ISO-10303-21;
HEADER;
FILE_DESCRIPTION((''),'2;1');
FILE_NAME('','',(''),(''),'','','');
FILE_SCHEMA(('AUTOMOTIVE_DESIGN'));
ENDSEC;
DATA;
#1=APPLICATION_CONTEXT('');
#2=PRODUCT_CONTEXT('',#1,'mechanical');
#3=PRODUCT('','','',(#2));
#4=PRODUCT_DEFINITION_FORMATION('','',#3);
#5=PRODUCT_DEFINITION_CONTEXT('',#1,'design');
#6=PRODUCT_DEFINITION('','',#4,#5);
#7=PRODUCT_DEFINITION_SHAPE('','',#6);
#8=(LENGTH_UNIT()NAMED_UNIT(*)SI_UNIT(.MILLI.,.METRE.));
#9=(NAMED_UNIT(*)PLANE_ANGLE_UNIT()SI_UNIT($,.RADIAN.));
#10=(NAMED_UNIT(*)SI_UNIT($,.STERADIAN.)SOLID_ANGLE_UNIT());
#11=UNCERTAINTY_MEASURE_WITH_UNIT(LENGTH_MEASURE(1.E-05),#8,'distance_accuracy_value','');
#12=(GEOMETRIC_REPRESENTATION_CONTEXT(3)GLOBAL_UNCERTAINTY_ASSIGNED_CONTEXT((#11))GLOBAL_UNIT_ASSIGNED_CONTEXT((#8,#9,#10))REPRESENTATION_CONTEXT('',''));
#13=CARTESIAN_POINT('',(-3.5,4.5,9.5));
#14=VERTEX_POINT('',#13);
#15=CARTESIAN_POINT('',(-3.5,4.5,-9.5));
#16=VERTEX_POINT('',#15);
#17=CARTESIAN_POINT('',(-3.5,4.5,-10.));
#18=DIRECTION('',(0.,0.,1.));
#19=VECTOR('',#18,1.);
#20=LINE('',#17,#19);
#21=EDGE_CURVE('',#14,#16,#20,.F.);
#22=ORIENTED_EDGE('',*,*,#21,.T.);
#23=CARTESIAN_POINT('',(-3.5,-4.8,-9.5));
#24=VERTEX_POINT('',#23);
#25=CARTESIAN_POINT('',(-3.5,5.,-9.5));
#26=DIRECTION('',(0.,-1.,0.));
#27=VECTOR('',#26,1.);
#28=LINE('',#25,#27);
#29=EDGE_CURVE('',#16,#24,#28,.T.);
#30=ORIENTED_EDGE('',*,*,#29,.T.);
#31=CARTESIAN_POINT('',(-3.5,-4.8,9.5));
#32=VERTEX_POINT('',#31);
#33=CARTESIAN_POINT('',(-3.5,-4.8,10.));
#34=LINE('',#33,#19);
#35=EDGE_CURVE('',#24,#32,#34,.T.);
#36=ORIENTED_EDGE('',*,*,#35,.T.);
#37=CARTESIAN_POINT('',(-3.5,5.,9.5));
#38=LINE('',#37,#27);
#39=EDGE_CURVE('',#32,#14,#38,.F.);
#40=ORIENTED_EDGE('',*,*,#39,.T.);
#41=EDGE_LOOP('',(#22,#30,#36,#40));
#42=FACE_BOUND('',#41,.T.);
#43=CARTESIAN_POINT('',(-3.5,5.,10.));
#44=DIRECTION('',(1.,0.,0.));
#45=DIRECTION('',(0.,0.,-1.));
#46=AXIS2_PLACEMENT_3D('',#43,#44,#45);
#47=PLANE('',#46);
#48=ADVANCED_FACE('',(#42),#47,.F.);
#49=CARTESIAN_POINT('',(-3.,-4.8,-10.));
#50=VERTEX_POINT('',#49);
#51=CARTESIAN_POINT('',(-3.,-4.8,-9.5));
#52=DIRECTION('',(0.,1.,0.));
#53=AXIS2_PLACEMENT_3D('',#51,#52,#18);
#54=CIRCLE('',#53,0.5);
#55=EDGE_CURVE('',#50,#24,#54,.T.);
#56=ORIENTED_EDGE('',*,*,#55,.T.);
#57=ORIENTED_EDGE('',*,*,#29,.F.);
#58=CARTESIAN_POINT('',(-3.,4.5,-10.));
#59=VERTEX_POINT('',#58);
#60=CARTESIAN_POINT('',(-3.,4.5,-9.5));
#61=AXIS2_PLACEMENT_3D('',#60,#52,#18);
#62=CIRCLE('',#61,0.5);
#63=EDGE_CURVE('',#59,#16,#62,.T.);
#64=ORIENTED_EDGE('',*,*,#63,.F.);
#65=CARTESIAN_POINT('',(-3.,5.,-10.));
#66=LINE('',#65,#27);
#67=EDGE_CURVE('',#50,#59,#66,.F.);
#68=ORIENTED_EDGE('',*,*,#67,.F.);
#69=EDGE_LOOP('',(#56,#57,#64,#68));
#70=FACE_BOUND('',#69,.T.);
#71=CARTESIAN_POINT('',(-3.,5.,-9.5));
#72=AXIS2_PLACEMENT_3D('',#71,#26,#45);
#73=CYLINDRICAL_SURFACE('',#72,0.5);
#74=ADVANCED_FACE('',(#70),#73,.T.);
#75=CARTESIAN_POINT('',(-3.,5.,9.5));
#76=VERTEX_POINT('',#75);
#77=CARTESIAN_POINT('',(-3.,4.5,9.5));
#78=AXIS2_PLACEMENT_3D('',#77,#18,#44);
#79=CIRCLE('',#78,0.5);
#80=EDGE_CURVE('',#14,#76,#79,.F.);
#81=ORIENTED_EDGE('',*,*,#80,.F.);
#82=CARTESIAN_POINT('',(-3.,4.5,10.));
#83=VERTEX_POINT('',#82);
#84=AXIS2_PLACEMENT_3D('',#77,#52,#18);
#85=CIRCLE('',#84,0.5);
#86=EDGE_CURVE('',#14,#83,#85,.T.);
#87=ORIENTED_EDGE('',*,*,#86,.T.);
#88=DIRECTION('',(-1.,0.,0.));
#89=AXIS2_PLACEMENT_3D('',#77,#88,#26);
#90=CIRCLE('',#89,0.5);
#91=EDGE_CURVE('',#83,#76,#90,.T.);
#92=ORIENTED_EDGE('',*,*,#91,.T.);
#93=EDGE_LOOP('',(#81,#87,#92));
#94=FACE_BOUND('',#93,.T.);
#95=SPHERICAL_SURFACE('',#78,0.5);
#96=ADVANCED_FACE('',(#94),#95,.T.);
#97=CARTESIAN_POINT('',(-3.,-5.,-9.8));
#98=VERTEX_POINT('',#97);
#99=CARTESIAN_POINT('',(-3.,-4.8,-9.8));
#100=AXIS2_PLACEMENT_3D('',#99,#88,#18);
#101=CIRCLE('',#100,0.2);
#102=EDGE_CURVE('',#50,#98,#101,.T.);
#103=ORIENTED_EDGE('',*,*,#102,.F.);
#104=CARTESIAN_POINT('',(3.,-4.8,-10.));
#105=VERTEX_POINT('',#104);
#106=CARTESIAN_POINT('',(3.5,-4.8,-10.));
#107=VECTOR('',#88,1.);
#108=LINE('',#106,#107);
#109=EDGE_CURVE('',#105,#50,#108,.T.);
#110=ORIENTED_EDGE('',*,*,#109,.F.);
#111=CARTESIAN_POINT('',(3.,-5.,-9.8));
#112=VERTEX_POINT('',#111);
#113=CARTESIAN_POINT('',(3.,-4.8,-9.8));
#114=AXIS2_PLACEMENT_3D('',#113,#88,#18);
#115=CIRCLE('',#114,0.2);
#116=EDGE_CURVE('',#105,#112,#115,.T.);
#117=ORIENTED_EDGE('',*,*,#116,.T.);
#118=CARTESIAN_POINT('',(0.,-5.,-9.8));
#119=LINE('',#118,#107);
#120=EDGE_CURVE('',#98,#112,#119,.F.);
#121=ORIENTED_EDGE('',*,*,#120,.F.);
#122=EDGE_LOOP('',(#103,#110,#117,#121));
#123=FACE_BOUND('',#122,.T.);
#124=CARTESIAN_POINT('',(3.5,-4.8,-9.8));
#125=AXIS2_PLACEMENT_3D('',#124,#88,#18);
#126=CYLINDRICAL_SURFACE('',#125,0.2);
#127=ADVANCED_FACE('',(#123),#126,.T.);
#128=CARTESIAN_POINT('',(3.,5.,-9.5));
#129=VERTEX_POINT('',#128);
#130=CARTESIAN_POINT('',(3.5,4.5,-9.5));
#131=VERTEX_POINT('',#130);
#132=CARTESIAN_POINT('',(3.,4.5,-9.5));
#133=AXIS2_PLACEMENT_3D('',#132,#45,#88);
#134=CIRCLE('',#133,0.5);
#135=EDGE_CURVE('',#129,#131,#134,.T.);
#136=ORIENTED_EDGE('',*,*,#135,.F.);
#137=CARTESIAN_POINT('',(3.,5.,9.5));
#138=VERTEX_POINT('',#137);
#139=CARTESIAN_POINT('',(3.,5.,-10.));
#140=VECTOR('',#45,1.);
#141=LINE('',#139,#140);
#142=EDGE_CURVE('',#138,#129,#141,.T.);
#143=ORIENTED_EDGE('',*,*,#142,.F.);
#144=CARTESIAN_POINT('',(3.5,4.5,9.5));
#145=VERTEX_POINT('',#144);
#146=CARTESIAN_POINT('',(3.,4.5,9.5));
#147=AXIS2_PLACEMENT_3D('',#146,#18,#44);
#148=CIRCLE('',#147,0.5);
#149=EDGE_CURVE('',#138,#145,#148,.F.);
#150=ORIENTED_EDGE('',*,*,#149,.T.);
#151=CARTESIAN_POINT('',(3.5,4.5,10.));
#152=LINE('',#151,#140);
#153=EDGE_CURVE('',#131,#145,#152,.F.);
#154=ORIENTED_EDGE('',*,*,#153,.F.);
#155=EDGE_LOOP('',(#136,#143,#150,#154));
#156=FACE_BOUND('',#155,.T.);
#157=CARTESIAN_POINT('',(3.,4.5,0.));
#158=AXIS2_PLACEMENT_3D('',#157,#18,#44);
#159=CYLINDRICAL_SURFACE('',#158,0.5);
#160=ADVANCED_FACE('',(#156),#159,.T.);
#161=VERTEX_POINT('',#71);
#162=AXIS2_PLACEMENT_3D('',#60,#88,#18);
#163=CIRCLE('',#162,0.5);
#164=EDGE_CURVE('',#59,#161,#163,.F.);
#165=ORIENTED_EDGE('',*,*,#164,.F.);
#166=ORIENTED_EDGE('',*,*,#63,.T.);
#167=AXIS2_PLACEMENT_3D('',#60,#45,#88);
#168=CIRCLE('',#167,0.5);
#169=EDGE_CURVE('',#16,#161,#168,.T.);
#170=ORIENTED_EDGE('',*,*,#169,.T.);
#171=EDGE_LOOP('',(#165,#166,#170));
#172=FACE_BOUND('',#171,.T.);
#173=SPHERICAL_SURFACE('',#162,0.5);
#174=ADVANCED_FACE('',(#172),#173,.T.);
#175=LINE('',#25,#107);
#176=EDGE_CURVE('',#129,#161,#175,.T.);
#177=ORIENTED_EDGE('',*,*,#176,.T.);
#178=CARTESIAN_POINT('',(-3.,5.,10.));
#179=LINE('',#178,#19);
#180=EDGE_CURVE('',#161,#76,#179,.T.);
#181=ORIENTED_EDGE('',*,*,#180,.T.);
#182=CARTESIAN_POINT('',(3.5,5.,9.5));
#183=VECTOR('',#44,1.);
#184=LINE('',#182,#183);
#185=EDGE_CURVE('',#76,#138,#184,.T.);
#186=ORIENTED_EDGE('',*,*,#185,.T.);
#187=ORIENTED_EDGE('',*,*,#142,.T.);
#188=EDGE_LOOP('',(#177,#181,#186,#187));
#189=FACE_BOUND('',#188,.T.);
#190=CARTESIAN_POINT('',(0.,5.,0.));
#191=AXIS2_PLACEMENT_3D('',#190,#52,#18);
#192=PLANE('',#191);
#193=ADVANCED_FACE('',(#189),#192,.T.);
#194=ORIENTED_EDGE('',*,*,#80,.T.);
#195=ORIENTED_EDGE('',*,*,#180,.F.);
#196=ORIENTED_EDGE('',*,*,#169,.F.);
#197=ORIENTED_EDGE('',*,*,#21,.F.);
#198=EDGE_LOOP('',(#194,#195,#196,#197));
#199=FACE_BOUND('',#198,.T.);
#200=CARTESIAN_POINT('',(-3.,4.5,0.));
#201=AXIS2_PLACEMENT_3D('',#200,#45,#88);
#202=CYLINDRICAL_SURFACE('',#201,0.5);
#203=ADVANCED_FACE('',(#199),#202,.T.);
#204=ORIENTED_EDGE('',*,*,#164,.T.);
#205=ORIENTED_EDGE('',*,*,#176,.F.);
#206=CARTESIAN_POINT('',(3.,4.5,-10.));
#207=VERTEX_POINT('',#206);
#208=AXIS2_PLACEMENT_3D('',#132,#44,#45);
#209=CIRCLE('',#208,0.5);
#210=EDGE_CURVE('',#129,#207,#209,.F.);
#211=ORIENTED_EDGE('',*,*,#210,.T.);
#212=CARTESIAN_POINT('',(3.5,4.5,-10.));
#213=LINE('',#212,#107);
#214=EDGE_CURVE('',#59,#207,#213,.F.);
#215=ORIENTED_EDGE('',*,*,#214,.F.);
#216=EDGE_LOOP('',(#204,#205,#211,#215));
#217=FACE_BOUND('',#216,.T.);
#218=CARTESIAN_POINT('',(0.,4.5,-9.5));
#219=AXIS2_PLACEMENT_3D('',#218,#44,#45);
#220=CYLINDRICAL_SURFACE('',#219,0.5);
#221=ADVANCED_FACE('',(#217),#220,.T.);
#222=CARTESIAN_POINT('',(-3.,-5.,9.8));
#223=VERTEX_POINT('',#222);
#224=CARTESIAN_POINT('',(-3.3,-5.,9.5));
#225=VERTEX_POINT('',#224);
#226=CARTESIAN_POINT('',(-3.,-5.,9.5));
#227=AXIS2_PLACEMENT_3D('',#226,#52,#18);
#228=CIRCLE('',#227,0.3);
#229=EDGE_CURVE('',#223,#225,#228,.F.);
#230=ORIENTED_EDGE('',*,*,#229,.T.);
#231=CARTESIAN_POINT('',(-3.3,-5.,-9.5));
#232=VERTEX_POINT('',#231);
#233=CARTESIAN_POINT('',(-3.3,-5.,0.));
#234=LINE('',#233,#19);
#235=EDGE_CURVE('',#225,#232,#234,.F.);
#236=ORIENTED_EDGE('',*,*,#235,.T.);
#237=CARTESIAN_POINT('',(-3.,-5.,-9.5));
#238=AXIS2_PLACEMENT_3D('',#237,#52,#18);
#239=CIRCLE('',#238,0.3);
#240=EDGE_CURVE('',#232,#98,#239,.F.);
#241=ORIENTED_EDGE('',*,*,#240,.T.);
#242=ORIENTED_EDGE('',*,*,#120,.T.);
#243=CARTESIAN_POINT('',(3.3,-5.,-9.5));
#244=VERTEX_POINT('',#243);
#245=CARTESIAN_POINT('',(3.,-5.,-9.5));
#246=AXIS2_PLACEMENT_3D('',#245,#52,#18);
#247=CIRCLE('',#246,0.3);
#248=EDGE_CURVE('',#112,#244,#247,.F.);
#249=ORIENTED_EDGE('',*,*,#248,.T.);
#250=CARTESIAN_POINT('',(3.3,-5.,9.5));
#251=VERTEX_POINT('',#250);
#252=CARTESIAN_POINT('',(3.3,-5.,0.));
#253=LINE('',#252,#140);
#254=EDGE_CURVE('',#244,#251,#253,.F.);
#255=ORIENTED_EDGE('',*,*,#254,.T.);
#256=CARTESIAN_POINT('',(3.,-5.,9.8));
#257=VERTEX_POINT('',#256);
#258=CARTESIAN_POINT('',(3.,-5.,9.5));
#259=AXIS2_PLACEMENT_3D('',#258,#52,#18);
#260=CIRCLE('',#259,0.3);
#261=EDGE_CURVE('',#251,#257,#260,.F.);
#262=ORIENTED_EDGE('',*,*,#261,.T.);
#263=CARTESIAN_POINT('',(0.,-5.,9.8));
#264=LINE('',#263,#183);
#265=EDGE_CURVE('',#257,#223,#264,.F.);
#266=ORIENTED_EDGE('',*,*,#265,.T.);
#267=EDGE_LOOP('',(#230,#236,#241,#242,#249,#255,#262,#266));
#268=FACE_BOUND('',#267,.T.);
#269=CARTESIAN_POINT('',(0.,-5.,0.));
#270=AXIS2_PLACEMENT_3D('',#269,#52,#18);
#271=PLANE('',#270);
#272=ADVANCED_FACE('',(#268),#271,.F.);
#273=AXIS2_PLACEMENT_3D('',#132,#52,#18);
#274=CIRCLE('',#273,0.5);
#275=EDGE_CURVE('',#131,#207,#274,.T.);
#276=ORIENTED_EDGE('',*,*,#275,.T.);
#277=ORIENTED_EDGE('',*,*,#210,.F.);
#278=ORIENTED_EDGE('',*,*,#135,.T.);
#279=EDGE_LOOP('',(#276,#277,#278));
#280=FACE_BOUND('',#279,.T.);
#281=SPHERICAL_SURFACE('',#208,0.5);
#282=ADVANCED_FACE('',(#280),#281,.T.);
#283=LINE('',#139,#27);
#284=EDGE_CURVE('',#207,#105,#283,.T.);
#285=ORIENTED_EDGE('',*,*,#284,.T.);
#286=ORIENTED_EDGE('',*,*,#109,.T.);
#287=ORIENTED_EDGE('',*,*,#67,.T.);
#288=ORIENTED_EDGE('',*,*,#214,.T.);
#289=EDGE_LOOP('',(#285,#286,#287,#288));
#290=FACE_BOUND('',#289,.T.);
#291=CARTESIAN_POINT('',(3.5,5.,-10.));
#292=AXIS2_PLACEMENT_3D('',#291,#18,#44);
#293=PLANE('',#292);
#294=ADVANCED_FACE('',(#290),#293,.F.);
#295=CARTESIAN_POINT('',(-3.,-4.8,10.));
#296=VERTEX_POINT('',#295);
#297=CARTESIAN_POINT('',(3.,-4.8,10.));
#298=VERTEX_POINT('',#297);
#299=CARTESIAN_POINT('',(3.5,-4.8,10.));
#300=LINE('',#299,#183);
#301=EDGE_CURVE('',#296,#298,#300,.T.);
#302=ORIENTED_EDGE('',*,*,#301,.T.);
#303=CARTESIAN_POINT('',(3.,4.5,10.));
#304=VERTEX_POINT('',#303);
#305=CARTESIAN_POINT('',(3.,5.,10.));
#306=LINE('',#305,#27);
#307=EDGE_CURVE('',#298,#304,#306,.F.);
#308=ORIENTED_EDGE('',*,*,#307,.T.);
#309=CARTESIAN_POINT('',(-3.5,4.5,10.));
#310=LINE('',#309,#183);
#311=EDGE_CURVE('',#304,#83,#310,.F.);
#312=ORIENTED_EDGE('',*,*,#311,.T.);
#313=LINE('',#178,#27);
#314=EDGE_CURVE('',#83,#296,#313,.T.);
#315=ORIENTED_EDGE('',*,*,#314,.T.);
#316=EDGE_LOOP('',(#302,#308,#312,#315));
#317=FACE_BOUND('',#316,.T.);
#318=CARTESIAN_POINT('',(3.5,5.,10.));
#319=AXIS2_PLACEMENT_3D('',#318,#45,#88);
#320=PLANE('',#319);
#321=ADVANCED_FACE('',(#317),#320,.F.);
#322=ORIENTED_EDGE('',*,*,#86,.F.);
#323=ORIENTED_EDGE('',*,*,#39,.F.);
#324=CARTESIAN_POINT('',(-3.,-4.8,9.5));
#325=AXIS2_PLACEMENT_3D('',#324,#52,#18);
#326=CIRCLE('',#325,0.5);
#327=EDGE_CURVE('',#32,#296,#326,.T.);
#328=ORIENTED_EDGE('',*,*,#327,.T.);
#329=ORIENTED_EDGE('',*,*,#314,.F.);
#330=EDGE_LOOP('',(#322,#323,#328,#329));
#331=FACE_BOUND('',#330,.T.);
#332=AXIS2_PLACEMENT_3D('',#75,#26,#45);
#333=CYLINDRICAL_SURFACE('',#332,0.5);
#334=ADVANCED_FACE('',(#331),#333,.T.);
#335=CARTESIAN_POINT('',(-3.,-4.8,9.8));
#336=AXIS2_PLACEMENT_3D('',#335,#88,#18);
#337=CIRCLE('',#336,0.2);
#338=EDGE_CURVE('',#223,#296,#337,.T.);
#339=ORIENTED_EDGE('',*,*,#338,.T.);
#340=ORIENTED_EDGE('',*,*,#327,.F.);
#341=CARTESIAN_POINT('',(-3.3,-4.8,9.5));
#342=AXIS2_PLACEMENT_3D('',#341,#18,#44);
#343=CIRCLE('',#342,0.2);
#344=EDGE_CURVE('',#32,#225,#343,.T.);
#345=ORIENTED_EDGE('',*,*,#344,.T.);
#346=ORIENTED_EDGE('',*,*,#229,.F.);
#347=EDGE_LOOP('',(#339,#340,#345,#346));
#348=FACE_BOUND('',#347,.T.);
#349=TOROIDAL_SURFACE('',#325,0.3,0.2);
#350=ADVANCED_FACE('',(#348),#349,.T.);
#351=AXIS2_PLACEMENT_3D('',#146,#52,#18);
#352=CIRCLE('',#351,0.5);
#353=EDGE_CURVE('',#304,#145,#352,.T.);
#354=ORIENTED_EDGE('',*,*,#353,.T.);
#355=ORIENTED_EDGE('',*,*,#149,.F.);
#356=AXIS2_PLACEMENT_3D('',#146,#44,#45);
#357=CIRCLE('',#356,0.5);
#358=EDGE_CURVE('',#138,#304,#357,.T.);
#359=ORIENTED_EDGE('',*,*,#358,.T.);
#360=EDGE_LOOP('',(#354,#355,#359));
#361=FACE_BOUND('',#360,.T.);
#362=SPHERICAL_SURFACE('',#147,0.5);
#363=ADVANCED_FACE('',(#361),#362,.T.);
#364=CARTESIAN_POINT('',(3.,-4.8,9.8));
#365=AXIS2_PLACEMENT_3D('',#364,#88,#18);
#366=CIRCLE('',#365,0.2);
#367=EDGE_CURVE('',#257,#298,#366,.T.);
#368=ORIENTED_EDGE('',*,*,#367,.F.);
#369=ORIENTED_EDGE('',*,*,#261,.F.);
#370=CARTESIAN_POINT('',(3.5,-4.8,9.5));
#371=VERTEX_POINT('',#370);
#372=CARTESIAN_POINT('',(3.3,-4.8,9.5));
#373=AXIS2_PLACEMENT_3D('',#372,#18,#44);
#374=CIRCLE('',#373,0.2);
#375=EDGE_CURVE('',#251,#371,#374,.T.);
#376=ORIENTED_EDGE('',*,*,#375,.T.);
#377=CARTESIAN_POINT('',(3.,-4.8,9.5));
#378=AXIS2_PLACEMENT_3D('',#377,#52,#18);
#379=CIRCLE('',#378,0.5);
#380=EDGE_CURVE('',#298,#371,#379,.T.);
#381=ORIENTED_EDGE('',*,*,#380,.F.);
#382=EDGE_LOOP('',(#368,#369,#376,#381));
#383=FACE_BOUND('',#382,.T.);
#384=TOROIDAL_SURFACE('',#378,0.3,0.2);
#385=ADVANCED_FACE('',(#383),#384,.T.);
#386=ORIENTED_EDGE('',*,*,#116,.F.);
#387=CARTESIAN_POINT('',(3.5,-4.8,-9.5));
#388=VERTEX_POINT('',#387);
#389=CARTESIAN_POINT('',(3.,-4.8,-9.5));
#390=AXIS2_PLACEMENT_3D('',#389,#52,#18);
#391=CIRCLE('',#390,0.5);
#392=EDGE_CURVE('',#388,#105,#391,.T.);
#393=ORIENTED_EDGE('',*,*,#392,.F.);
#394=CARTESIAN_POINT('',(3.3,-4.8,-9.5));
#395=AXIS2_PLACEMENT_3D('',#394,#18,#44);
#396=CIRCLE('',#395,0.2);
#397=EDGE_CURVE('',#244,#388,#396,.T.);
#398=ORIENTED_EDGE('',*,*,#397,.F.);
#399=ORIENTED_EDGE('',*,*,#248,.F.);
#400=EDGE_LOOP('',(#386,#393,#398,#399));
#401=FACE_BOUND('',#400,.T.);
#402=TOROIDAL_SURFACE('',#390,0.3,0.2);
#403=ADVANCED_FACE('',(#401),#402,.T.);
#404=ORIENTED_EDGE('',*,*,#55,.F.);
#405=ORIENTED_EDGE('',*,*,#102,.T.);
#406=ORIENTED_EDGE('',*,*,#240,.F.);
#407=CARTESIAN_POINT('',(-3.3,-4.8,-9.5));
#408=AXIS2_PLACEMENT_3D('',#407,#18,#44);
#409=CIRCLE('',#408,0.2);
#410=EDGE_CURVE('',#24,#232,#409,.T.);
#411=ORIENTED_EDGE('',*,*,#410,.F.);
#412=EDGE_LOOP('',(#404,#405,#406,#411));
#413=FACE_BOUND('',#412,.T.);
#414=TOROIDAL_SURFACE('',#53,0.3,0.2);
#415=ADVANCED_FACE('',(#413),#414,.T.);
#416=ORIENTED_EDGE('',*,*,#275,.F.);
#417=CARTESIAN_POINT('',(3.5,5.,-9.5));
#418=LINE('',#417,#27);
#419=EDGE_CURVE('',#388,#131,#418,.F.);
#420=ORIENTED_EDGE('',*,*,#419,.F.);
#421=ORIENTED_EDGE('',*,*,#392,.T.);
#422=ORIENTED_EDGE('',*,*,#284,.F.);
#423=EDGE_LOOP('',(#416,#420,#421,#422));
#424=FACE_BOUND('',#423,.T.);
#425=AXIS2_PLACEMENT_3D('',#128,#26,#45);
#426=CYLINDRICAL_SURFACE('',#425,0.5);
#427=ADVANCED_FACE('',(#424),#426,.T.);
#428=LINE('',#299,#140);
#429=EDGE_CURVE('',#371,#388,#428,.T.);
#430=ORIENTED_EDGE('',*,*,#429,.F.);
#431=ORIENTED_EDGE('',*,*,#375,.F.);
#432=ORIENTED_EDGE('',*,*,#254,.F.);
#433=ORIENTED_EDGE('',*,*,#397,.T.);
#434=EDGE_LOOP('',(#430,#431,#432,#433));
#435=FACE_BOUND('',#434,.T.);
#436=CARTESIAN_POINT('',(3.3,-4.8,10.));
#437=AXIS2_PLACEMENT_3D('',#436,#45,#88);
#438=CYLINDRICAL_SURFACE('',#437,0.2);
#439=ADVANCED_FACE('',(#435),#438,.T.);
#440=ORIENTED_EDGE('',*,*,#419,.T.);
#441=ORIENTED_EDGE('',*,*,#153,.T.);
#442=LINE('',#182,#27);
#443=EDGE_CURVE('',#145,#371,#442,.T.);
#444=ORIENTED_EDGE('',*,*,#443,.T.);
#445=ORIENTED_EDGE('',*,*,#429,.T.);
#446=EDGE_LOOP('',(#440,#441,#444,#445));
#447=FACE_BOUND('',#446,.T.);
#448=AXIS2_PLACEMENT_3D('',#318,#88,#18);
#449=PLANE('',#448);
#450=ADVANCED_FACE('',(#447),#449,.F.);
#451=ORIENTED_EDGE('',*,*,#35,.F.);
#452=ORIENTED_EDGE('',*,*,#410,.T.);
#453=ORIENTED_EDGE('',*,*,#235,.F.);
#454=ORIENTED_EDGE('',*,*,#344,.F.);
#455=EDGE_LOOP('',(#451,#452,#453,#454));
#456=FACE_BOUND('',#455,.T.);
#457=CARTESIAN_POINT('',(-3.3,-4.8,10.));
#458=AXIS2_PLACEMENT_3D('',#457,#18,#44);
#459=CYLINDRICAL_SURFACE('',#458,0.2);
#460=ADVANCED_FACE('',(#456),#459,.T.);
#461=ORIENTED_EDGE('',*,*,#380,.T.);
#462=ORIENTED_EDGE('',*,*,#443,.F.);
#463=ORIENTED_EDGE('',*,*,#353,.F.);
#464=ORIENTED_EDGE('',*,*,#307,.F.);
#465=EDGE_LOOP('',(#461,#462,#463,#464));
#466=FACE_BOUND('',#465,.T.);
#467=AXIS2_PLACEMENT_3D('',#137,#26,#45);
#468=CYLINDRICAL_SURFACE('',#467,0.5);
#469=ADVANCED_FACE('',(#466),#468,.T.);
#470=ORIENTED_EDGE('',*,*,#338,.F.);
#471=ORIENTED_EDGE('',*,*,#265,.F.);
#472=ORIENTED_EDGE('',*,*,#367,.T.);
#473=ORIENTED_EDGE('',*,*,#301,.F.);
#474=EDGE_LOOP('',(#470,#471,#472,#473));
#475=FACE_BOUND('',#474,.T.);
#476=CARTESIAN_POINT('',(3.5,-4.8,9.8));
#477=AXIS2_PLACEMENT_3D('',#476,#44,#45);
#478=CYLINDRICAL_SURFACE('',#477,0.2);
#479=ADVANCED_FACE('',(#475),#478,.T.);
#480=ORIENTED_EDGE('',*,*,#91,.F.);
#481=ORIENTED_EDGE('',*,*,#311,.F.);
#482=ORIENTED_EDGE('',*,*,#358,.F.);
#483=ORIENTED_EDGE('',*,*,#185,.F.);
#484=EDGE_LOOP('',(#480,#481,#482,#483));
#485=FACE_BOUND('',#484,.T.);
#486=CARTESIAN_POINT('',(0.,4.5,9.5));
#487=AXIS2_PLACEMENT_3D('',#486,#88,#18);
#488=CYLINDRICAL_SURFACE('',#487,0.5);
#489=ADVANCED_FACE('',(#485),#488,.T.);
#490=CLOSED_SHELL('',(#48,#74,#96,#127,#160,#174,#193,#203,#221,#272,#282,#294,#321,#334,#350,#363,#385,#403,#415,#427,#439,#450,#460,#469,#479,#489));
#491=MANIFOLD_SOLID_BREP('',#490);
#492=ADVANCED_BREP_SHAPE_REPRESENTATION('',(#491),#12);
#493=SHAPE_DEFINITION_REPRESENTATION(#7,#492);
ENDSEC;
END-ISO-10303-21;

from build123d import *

# Parameters (mm, degrees)
SKETCH1_W           = 7
SKETCH1_H           = 20
BOSS_EXTRUDE1_DEPTH = 5
FILLET2_R           = 0.5
FILLET3_R           = 0.2


with BuildPart() as part:
    # Sketch1 → Boss-Extrude1 (new, symmetric)
    with BuildSketch(Plane(origin=(0, 0, 0), x_dir=(1, 0, 0), z_dir=(0, 1, 0))):
        Rectangle(SKETCH1_W, SKETCH1_H)
    extrude(amount=BOSS_EXTRUDE1_DEPTH, both=True)

    # Fillet2
    fillet2_edges = [part.edges().sort_by_distance(p)[0] for p in [
        (3.5, 5, 0),
        (0, 5, -10),
        (-3.5, 5, 0),
        (-3.5, 0, -10),
        (3.5, 0, -10),
        (3.5, 0, 10),
        (-3.5, 0, 10),
        (0, 5, 10),
    ]]
    fillet(fillet2_edges, radius=FILLET2_R)

    # Fillet3
    fillet3_edges = [part.edges().sort_by_distance(p)[0] for p in [
        (0, -5, -10),
        (3.5, -5, 0),
        (0, -5, 10),
        (-3.5, -5, 0),
        (3.353553391, -5, 9.853553391),
        (3.353553391, -5, -9.853553391),
        (-3.353553391, -5, 9.853553391),
        (-3.353553391, -5, -9.853553391),
    ]]
    fillet(fillet3_edges, radius=FILLET3_R)


solid = part.part
